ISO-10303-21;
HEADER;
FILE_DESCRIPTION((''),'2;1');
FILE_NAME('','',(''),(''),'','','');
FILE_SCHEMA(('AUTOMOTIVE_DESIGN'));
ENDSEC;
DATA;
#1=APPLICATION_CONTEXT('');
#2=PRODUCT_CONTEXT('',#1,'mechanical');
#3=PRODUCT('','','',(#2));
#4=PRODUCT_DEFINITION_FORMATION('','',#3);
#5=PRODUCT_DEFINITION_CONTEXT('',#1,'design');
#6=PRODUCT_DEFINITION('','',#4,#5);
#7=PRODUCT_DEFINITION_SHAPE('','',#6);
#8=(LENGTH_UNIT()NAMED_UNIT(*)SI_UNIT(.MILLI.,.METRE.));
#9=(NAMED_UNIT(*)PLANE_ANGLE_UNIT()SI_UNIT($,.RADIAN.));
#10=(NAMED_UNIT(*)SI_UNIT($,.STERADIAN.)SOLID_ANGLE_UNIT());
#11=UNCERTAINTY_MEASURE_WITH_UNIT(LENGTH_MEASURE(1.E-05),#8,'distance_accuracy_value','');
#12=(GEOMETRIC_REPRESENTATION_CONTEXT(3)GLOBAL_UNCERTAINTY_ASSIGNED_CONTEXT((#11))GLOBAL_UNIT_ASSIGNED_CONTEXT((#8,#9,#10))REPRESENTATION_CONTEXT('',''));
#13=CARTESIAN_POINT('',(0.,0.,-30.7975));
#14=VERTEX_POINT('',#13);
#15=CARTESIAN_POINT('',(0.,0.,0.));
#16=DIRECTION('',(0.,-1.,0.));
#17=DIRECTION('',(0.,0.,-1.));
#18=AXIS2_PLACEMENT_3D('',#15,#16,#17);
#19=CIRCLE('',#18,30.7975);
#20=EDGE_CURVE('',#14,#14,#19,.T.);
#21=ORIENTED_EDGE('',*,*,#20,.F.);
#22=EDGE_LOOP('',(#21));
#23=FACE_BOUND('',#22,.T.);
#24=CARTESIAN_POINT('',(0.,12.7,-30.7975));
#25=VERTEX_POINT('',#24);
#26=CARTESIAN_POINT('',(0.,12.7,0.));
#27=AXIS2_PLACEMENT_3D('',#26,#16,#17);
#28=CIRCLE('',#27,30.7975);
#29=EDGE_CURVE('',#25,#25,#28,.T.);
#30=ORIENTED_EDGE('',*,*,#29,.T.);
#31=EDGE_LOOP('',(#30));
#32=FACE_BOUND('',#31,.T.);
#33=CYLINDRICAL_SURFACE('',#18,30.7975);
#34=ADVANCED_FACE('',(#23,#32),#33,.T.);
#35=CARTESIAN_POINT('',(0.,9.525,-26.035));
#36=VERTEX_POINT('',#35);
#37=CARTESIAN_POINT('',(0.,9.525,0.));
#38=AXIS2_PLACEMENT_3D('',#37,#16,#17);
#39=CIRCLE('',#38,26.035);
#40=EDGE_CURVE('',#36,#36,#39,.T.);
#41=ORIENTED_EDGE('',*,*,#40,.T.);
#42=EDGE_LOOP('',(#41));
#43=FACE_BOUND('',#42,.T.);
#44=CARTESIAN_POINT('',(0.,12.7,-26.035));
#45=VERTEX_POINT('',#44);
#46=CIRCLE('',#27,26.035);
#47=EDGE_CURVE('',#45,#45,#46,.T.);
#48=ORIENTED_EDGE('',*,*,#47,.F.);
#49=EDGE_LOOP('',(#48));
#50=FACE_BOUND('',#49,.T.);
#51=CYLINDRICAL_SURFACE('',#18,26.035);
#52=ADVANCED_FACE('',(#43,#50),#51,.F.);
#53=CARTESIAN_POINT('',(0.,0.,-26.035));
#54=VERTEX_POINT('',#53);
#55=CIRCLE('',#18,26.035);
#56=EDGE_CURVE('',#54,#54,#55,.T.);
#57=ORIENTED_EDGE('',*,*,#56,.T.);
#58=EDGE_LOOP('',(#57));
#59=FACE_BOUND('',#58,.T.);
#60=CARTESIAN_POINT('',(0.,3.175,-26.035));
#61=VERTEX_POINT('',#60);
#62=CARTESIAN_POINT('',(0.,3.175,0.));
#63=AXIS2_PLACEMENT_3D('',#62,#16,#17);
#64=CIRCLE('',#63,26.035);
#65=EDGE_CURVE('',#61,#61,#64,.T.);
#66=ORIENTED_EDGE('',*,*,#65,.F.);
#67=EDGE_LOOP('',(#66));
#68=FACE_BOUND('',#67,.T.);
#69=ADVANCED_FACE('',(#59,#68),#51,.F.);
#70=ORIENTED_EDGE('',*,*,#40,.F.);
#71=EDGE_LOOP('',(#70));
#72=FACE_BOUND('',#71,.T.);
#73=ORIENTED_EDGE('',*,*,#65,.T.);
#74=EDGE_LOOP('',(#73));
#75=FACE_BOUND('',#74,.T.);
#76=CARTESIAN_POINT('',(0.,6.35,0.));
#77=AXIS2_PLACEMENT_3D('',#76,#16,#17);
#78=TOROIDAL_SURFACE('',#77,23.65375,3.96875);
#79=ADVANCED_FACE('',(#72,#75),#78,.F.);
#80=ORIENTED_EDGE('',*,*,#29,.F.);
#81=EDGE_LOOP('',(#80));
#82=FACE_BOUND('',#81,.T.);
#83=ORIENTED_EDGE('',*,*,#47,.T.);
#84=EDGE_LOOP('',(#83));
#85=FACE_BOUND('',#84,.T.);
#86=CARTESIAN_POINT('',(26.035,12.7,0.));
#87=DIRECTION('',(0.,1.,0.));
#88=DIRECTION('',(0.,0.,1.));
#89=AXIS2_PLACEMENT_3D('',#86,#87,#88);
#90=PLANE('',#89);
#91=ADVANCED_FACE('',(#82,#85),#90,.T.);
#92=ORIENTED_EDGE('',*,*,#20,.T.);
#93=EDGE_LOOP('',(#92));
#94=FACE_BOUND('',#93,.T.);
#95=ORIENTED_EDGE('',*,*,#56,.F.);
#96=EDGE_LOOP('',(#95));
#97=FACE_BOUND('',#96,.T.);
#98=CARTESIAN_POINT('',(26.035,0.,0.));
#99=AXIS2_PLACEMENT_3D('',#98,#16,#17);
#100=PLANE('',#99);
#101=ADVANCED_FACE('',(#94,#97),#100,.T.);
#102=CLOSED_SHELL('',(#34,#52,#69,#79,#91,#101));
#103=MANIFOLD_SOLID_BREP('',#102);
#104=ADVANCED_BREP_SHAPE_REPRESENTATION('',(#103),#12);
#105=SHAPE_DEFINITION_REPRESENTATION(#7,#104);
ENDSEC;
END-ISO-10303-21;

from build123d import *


with BuildPart() as part:
    # Sketch3 → Revolve3 (revolve)
    with BuildSketch(Plane.XY, mode=Mode.PRIVATE) as revolve3_sk:
        with BuildLine():
            Line((26.035, 0), (30.7975, 0))
            Line((30.7975, 0), (30.7975, 12.7))
            Line((30.7975, 12.7), (26.035, 12.7))
            Line((26.035, 12.7), (26.035, 9.525))
            ThreePointArc((26.035, 9.525), (27.6225, 6.35), (26.035, 3.175))
            Line((26.035, 3.175), (26.035, 0))
        make_face()
    revolve(revolve3_sk.sketch.rotate(Axis((0, 0, 0), (0, 1, 0)), 90), axis=Axis((0, 0, 0), (0, 1, 0)))


solid = part.part
